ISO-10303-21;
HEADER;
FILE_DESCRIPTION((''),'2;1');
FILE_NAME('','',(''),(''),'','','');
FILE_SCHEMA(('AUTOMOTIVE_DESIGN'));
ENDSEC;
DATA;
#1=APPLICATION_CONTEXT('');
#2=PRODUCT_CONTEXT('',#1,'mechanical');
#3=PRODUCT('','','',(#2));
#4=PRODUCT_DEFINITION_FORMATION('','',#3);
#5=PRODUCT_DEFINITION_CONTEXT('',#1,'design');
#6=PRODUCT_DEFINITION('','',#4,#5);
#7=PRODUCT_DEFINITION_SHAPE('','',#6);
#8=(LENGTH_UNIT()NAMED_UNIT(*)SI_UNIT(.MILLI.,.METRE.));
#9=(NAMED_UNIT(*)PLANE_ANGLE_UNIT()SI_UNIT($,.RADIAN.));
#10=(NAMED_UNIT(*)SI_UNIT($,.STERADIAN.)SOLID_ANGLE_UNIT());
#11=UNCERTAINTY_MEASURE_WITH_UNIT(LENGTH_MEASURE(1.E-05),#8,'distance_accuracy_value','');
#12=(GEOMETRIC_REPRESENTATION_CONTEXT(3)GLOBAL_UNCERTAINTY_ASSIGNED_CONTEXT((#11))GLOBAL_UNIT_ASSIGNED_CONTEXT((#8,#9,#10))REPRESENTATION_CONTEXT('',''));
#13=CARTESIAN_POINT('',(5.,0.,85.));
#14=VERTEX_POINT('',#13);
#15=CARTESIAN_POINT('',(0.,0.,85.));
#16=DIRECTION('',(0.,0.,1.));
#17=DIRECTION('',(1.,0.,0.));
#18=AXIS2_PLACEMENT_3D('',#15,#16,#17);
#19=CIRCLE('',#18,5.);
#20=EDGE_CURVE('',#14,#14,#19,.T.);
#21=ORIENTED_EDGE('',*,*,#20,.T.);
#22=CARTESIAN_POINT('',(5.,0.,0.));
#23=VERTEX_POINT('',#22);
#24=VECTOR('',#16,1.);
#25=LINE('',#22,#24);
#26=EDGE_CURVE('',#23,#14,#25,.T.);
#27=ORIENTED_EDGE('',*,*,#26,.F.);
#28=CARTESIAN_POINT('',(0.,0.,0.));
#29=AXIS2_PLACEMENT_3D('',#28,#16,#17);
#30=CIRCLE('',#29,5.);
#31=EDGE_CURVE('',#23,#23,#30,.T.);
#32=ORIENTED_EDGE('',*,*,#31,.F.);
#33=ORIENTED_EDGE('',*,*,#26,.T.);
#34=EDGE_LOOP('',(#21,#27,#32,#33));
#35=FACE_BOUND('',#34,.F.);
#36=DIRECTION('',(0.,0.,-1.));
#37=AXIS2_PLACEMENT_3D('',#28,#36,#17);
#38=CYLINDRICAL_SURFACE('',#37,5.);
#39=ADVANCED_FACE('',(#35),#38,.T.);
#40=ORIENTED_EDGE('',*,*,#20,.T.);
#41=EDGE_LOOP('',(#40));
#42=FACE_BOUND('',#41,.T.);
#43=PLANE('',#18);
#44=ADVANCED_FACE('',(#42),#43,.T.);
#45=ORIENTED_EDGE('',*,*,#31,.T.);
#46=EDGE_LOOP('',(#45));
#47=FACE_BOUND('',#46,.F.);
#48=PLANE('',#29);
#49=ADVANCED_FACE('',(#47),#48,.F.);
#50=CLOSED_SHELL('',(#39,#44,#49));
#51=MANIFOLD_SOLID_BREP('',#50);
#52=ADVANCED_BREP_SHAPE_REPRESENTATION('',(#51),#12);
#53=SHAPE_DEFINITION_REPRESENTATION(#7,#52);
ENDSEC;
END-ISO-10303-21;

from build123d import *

# Parameters (mm, degrees)
ESQUISSE1_R        = 5
BOSS_EXTRU_1_DEPTH = 85


with BuildPart() as part:
    # Esquisse1 → Boss.-Extru.1 (new body)
    with BuildSketch(Plane.XY):
        Circle(ESQUISSE1_R)
    extrude(amount=BOSS_EXTRU_1_DEPTH)


solid = part.part
